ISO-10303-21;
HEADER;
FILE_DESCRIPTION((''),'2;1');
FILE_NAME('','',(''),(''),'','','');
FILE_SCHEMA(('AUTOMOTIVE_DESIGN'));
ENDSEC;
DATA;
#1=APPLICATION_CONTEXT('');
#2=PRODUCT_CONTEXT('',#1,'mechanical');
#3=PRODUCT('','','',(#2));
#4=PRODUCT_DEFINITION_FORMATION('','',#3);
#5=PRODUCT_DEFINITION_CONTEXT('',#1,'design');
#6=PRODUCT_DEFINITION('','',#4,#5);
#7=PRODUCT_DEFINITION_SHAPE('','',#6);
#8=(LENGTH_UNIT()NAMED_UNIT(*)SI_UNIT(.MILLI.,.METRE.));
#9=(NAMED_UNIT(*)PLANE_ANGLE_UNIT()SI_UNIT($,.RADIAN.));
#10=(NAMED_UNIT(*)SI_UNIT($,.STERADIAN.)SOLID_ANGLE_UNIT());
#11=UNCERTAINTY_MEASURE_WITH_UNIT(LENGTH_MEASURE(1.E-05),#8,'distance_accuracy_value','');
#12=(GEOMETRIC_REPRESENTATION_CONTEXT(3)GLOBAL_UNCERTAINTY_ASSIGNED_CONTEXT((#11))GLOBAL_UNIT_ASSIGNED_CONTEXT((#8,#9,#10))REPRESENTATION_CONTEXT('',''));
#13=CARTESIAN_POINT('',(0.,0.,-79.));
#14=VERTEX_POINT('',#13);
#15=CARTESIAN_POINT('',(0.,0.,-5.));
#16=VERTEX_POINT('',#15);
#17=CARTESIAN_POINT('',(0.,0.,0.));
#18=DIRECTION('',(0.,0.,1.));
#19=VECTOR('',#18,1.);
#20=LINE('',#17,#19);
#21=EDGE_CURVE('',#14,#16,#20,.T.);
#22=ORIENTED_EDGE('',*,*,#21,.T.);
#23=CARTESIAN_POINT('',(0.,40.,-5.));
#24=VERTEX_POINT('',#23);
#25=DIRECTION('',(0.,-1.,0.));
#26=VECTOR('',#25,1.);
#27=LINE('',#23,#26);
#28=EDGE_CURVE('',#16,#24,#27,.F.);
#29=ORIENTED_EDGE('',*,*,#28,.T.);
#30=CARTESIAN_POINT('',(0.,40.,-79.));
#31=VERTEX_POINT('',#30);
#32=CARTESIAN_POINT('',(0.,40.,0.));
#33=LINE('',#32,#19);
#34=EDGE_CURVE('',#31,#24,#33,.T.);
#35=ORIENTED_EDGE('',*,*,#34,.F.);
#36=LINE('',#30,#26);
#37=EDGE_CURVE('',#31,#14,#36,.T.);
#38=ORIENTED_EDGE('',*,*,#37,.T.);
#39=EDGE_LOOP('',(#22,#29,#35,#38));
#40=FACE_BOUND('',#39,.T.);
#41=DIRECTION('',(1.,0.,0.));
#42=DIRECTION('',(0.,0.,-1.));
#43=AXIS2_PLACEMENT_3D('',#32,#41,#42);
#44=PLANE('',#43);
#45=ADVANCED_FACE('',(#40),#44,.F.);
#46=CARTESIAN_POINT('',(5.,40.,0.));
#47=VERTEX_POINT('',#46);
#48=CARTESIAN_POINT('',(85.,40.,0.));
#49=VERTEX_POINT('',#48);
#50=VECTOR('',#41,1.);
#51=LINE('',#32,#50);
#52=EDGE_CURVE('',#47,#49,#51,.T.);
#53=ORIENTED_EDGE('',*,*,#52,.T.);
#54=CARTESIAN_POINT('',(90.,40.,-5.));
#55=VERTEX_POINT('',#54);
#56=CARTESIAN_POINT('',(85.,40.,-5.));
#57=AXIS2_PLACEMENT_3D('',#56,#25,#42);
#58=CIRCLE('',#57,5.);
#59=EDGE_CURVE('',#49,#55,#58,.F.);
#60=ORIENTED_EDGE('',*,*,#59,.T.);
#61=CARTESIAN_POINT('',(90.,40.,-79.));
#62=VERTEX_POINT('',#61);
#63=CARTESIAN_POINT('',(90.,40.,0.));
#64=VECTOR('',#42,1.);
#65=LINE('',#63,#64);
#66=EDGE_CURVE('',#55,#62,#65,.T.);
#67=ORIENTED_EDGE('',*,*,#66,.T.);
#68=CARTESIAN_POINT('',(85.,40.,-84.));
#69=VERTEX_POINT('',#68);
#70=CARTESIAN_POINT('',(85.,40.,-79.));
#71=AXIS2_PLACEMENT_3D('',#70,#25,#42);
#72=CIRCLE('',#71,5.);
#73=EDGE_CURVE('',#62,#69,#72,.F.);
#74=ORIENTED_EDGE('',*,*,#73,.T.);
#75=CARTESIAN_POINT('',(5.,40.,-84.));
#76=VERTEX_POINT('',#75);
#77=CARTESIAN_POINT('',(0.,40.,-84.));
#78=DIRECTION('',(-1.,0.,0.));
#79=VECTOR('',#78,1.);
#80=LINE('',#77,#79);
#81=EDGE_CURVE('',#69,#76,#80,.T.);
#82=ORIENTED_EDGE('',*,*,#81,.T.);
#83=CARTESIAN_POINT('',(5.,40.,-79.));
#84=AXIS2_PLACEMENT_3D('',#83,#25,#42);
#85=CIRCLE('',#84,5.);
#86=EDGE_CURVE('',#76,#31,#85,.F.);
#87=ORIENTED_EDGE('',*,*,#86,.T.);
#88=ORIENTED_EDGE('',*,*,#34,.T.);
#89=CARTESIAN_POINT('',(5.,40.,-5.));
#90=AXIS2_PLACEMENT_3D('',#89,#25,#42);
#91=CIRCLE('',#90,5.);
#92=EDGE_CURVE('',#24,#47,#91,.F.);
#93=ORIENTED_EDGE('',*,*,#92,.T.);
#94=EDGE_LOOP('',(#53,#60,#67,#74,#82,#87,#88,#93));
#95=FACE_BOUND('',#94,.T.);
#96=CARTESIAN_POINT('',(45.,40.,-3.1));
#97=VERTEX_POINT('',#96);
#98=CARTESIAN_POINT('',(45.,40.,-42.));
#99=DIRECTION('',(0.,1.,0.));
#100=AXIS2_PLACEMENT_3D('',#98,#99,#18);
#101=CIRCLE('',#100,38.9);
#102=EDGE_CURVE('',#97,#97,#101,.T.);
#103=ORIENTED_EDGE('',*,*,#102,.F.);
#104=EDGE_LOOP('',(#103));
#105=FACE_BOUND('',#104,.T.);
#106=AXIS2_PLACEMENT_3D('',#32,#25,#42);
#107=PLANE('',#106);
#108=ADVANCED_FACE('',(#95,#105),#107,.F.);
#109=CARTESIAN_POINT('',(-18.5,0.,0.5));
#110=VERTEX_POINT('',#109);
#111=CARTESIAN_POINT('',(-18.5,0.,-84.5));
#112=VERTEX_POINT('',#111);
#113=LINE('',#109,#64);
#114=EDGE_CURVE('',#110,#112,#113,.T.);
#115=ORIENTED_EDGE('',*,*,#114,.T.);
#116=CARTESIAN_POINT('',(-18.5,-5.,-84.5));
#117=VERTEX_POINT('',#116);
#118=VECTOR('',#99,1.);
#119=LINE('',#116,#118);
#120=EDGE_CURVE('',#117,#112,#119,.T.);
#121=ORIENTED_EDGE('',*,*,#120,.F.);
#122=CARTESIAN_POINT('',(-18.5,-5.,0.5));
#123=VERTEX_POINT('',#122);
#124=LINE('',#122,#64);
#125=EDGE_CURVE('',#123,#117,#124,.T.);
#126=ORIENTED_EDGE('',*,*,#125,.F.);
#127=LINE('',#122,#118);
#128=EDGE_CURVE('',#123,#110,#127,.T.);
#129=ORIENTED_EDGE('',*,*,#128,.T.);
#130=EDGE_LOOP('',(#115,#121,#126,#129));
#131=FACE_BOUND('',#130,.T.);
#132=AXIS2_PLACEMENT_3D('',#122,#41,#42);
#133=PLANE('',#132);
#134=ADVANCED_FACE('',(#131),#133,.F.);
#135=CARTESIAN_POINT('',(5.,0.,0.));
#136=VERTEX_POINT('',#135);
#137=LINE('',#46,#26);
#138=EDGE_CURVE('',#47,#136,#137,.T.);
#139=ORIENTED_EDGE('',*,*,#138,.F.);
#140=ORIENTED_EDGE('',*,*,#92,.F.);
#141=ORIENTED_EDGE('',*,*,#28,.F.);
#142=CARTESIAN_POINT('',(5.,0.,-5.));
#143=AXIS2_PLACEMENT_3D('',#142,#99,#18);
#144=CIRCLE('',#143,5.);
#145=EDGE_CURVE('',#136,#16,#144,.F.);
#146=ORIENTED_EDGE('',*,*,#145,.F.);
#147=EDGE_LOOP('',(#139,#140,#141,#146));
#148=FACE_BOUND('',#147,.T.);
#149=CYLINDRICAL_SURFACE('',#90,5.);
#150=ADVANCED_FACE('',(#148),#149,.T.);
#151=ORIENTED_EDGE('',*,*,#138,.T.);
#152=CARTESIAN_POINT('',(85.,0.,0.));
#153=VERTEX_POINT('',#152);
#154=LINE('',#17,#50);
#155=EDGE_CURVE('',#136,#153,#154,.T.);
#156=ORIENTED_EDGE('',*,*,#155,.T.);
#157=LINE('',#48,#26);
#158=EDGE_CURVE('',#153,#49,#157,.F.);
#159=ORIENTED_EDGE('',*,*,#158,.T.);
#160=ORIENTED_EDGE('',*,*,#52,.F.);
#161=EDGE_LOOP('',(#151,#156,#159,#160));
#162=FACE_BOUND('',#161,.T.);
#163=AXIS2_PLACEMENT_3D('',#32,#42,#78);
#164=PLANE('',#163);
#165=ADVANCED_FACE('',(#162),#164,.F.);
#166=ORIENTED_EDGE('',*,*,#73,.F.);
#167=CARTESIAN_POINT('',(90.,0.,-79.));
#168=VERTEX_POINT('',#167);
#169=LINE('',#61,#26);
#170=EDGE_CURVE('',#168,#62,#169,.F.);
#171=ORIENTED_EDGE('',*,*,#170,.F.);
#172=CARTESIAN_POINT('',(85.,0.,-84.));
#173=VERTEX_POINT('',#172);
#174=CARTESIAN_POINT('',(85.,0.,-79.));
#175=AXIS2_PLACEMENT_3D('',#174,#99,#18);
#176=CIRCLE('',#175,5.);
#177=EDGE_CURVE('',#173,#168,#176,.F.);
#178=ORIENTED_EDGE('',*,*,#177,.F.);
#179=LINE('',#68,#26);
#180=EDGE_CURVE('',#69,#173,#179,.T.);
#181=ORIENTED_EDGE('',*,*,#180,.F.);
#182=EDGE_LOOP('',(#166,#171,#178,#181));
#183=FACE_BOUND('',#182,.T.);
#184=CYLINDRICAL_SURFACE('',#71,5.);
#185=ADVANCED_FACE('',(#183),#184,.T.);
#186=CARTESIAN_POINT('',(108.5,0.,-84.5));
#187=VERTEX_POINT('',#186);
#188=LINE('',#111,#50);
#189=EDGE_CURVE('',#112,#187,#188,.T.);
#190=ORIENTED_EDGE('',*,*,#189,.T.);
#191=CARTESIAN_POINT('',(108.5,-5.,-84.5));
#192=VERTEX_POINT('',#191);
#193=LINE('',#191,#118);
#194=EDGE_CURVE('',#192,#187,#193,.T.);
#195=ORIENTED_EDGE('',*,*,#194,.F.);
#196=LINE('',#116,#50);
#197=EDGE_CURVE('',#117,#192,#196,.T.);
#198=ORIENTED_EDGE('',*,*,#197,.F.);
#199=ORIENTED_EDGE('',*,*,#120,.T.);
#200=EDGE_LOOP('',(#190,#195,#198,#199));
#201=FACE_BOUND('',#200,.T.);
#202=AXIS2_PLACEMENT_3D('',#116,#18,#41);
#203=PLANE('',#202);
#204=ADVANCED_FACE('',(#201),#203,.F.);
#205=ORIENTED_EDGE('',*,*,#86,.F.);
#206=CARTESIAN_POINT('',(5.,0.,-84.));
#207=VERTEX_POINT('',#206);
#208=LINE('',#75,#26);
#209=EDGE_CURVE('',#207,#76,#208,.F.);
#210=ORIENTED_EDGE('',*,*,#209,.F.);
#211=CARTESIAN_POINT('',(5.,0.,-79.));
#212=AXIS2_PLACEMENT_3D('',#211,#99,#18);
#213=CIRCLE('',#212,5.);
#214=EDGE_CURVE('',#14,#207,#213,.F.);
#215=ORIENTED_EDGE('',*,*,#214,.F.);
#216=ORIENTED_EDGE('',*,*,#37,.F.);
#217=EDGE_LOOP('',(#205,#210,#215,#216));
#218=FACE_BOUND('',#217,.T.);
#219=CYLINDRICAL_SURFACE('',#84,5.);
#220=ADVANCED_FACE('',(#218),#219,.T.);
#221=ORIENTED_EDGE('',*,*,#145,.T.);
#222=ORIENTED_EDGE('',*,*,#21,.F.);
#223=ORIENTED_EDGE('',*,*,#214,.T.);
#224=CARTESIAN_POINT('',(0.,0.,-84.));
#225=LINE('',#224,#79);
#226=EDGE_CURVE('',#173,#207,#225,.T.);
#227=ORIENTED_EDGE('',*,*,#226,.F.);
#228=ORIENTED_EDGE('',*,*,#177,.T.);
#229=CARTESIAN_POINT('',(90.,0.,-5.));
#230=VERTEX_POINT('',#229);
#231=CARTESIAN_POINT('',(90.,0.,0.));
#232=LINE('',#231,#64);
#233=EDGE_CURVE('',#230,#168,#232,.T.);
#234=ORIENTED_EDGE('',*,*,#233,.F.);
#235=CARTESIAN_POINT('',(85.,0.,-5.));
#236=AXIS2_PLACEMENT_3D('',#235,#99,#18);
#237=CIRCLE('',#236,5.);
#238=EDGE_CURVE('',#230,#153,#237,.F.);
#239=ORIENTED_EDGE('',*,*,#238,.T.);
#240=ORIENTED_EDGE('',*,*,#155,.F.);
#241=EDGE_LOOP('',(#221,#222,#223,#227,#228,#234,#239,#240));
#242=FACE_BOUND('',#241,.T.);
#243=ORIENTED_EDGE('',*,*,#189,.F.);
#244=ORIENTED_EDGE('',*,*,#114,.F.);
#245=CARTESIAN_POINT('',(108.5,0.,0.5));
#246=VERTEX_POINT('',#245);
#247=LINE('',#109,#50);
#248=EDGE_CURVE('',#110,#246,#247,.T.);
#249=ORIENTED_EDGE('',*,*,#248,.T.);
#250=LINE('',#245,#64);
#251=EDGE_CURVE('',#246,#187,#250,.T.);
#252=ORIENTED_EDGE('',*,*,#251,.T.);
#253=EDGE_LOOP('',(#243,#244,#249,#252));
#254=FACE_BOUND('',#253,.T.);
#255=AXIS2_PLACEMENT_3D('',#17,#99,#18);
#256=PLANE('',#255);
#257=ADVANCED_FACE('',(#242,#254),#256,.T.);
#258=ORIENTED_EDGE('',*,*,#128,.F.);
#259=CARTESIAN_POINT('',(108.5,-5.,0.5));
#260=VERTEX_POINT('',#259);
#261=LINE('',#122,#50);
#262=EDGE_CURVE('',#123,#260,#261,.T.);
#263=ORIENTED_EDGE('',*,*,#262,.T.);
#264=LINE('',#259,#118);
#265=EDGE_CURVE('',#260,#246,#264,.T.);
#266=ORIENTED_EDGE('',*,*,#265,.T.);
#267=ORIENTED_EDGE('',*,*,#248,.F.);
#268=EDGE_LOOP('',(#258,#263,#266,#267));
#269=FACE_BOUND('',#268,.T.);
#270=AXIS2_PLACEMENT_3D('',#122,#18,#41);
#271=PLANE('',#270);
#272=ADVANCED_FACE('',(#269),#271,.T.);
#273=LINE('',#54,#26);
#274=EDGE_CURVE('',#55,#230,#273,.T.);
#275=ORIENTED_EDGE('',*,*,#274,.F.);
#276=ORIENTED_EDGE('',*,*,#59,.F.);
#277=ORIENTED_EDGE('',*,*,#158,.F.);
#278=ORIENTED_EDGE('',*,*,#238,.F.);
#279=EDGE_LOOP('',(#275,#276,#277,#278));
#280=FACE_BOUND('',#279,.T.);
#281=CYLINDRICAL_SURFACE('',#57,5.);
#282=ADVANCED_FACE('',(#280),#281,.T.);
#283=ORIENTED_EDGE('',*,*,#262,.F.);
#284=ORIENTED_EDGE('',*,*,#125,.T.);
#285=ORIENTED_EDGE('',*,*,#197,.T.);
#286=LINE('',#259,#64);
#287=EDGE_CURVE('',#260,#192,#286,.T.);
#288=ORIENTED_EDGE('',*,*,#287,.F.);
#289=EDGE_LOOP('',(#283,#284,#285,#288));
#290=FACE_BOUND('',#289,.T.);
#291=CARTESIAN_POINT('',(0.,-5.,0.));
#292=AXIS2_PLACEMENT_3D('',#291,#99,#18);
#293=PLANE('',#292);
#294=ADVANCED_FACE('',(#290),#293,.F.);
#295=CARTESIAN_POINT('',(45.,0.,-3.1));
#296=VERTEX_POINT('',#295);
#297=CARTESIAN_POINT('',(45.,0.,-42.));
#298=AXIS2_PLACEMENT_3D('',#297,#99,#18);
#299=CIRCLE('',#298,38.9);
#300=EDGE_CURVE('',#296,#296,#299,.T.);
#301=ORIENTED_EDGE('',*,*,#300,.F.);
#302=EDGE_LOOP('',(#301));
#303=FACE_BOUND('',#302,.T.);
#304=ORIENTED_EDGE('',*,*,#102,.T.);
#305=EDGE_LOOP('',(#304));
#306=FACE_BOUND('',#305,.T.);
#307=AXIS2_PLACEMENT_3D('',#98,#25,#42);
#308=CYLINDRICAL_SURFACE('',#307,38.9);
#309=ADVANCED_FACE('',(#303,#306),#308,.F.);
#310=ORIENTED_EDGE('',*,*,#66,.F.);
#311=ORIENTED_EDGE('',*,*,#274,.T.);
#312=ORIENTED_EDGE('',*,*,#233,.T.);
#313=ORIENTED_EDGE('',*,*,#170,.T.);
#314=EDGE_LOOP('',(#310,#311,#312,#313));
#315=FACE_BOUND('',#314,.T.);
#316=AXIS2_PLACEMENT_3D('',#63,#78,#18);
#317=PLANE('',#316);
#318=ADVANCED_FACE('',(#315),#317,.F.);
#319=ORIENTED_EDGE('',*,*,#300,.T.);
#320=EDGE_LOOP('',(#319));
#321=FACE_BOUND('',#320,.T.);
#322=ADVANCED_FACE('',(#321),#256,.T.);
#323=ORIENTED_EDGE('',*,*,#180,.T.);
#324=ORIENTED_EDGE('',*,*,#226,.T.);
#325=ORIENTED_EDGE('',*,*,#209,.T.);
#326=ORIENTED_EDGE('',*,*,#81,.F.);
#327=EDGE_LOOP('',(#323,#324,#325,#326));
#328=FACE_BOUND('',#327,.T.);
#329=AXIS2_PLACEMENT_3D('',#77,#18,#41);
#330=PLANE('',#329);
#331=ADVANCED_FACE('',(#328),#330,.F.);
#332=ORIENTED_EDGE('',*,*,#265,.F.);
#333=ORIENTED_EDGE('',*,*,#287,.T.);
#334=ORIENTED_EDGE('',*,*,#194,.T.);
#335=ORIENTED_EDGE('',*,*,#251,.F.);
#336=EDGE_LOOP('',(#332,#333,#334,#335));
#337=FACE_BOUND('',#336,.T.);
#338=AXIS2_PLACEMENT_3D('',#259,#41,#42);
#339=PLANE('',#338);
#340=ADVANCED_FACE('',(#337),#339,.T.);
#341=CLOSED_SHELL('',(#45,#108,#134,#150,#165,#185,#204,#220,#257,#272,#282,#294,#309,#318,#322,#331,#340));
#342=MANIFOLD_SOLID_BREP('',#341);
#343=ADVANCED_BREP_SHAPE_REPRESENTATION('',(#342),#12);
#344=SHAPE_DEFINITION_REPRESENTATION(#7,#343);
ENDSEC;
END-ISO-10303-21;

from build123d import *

# Parameters (mm, degrees)
SKETCH2_W           = 90
SKETCH2_H           = 84
SKETCH2_R           = 38.9
BOSS_EXTRUDE1_DEPTH = 40
SKETCH3_W           = 127
SKETCH3_H           = 85
BOSS_EXTRUDE2_DEPTH = 5
FILLET1_R           = 5


with BuildPart() as part:
    # Sketch2 → Boss-Extrude1 (new body)
    with BuildSketch(Plane(origin=(0, 0, 0), x_dir=(1, 0, 0), z_dir=(0, 1, 0))):
        with Locations((45, 42)):
            Rectangle(SKETCH2_W, SKETCH2_H)
        with Locations(Location((45, 42, 0), (0, 0, 270))):
            Circle(SKETCH2_R, mode=Mode.SUBTRACT)
    extrude(amount=BOSS_EXTRUDE1_DEPTH)

    # Sketch3 → Boss-Extrude2 (add)
    with BuildSketch(Plane.XZ):
        with Locations((45, -42)):
            Rectangle(SKETCH3_W, SKETCH3_H)
    extrude(amount=BOSS_EXTRUDE2_DEPTH)

    # Fillet1
    fillet1_edges = [part.edges().sort_by_distance(p)[0] for p in [
        (0, 20, -84),
        (90, 20, -84),
        (90, 20, 0),
        (0, 20, 0),
    ]]
    fillet(fillet1_edges, radius=FILLET1_R)


solid = part.part
